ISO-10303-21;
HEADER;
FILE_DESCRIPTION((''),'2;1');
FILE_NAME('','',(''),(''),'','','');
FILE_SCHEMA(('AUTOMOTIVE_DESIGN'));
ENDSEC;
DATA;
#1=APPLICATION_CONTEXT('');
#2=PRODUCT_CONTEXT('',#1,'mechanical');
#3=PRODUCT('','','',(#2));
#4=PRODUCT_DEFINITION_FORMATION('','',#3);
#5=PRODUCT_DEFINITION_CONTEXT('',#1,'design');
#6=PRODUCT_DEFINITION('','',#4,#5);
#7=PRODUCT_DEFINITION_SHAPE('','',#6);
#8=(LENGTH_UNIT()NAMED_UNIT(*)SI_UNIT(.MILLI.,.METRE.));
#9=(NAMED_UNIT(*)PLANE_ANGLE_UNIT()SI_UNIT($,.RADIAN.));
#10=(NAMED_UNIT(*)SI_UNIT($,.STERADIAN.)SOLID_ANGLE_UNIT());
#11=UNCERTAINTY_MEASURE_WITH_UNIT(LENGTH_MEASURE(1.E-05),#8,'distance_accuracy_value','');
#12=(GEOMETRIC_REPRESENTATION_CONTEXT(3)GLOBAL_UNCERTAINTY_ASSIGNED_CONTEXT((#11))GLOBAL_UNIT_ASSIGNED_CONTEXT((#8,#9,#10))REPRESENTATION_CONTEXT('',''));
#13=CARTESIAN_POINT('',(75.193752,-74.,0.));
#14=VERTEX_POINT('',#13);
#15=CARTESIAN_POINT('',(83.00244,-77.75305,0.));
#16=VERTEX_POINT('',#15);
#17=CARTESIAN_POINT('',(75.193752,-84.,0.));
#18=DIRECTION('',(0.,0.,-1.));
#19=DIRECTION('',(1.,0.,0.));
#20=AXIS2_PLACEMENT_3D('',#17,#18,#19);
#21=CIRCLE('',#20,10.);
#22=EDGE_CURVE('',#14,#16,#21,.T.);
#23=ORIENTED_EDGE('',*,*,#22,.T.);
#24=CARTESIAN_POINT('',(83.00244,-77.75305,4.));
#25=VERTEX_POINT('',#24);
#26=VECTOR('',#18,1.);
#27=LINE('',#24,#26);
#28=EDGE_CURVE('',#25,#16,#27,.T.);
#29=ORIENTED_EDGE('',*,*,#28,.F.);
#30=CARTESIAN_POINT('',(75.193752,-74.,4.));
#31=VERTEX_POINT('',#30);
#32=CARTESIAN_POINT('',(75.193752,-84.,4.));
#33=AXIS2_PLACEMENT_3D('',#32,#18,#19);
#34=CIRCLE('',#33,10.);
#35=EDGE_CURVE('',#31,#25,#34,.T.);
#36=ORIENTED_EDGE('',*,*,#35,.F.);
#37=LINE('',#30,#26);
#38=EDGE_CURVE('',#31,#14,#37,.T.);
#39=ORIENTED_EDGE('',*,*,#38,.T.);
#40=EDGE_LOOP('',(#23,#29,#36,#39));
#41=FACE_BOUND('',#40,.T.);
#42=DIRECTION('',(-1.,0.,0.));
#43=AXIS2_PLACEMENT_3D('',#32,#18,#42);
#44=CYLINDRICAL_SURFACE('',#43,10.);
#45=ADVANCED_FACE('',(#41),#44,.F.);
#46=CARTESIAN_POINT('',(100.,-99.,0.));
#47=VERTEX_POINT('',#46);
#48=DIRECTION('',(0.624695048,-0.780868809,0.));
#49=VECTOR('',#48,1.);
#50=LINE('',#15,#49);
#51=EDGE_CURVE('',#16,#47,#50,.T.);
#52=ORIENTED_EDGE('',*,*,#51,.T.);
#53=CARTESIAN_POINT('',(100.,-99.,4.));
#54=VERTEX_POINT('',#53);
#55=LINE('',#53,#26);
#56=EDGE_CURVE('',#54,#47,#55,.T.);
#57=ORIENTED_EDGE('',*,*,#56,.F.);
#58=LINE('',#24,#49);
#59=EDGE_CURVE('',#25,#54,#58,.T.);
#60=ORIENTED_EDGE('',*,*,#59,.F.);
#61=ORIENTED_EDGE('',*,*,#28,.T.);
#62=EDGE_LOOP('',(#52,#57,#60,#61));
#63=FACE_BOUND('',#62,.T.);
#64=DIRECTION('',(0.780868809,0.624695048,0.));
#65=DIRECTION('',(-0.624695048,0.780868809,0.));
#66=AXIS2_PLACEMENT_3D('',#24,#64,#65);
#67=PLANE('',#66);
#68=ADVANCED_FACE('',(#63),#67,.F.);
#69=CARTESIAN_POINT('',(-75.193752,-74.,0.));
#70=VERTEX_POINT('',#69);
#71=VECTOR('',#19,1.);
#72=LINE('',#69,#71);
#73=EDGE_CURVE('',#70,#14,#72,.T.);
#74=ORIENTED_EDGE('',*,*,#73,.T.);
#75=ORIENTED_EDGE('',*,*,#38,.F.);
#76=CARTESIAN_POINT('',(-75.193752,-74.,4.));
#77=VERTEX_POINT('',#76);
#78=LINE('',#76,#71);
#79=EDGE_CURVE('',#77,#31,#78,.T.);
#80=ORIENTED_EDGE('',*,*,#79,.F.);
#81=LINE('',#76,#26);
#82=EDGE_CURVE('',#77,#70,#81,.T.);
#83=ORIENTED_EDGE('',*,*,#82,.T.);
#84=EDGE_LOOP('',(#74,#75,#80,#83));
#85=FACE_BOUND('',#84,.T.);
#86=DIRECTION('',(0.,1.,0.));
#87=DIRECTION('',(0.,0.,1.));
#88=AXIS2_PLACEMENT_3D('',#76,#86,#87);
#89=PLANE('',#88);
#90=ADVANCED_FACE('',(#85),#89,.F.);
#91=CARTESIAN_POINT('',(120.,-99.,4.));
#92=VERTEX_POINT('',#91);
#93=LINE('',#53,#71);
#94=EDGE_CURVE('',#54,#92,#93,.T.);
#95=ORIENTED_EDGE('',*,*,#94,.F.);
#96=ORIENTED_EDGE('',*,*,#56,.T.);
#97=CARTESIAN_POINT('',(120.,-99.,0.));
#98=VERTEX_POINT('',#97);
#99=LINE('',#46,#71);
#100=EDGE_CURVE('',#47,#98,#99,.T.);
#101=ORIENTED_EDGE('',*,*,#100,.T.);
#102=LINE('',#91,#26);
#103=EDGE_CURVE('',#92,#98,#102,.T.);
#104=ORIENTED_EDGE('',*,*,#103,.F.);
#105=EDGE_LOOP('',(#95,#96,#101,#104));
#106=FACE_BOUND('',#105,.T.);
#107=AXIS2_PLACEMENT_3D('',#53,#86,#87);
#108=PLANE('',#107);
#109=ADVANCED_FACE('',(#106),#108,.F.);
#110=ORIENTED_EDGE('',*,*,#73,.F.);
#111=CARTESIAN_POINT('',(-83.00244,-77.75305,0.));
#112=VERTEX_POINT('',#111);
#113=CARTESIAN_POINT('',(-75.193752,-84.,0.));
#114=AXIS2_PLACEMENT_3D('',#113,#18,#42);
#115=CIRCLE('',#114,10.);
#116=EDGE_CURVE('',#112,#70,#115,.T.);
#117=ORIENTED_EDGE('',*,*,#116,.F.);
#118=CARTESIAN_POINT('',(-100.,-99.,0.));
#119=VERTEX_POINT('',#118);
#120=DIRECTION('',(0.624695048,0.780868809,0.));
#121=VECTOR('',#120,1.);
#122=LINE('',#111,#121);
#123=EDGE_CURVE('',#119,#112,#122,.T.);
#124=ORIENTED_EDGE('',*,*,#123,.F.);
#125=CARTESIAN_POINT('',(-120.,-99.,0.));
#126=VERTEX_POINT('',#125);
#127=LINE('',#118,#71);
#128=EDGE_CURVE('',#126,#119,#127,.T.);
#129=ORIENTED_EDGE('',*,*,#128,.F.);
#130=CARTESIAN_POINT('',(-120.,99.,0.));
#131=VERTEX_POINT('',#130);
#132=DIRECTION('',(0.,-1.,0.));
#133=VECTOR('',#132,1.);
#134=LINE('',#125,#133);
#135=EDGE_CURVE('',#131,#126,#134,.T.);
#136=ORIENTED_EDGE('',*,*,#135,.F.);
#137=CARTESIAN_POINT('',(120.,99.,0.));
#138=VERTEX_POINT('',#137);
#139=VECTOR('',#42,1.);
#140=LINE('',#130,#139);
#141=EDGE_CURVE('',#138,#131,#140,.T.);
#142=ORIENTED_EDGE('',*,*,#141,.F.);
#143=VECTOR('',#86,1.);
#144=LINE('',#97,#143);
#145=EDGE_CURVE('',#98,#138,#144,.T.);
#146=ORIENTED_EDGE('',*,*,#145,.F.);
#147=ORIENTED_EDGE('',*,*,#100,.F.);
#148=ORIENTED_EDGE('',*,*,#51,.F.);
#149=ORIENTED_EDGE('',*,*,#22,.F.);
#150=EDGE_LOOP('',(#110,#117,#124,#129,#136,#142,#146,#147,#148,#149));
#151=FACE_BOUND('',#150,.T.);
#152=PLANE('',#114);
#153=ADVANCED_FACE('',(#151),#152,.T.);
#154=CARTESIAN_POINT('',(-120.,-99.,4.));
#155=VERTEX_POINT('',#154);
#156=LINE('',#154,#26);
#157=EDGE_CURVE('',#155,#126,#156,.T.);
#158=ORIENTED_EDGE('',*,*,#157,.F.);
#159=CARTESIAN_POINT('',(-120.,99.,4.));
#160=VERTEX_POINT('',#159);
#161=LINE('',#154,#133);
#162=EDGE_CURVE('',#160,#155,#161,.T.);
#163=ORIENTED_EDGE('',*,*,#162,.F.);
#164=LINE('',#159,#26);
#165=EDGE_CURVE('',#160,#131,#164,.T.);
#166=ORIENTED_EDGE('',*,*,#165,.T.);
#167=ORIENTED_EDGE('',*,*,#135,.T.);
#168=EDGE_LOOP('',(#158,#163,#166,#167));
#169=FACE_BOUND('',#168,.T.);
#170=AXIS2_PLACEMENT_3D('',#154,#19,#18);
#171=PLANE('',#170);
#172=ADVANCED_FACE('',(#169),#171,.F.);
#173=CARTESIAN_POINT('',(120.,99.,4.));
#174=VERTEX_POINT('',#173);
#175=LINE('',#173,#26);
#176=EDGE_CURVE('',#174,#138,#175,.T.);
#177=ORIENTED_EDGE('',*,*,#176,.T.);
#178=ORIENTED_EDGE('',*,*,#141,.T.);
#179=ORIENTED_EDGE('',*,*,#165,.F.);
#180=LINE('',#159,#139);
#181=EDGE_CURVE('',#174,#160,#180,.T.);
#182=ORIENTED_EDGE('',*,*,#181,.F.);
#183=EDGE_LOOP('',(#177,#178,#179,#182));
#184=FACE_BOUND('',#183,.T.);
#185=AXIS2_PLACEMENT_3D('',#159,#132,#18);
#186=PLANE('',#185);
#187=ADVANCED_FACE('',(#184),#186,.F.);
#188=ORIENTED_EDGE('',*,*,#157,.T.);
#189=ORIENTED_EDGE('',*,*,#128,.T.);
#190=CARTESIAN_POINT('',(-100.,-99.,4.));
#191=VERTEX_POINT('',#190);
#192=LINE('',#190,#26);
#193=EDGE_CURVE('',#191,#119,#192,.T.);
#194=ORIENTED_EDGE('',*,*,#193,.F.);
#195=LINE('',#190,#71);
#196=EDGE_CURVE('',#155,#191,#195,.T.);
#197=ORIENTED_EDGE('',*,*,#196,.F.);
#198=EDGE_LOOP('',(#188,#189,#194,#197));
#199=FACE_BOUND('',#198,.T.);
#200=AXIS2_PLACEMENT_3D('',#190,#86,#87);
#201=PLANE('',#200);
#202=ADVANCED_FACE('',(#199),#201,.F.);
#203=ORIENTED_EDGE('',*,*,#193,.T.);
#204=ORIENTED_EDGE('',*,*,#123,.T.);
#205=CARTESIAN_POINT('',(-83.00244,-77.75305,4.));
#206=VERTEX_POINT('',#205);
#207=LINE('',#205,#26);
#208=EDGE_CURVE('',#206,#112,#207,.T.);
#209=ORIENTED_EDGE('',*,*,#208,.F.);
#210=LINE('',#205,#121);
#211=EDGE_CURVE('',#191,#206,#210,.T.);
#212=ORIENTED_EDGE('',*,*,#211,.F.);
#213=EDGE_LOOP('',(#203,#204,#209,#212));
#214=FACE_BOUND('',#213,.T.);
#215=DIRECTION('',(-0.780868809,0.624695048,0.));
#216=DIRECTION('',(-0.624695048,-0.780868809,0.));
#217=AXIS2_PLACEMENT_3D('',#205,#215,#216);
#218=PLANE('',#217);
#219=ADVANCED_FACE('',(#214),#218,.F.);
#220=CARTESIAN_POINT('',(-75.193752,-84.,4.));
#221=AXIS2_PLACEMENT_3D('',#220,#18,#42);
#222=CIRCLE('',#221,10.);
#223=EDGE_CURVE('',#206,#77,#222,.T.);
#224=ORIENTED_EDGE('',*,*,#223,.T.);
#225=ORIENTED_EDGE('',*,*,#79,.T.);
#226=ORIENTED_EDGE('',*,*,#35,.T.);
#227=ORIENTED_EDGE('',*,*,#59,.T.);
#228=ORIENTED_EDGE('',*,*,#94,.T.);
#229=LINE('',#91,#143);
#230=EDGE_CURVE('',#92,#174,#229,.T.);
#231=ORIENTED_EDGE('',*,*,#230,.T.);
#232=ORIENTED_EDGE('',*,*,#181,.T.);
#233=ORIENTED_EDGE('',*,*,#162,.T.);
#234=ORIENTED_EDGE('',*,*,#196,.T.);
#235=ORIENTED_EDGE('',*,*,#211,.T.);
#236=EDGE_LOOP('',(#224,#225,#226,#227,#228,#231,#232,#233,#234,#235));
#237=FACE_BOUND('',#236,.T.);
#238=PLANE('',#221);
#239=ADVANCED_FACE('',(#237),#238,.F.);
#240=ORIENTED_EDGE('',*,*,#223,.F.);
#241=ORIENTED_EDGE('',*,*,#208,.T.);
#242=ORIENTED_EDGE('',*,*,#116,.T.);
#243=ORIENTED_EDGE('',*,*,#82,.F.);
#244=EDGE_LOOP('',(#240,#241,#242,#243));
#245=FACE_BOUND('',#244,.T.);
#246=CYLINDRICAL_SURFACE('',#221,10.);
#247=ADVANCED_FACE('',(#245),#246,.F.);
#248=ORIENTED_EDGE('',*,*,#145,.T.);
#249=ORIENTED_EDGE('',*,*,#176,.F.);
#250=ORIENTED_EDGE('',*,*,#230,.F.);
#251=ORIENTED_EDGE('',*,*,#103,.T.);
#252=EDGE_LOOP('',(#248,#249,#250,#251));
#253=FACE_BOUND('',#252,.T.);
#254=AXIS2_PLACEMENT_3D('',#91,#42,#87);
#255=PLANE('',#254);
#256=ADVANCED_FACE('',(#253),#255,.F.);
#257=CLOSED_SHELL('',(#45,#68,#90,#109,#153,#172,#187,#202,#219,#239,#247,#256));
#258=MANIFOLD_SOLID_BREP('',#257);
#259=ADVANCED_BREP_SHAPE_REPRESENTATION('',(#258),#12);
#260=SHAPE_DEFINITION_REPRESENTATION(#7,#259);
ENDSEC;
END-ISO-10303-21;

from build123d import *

# Parameters (mm, degrees)
BOSS_EXTRUDE1_DEPTH = 4


with BuildPart() as part:
    # Sketch1 → Boss-Extrude1 (new body)
    with BuildSketch(Plane.XY):
        with BuildLine():
            Line((-120, -99), (-120, 99))
            Line((-120, 99), (120, 99))
            Line((120, 99), (120, -99))
            Line((120, -99), (100, -99))
            Line((100, -99), (83.00243962, -77.753049524))
            ThreePointArc((83.00243962, -77.753049524), (79.52563883, -74.986967637), (75.193751525, -74))
            Line((75.193751525, -74), (-75.193751525, -74))
            ThreePointArc((-75.193751525, -74), (-79.52563883, -74.986967637), (-83.00243962, -77.753049524))
            Line((-83.00243962, -77.753049524), (-100, -99))
            Line((-100, -99), (-120, -99))
        make_face()
    extrude(amount=BOSS_EXTRUDE1_DEPTH)


solid = part.part
